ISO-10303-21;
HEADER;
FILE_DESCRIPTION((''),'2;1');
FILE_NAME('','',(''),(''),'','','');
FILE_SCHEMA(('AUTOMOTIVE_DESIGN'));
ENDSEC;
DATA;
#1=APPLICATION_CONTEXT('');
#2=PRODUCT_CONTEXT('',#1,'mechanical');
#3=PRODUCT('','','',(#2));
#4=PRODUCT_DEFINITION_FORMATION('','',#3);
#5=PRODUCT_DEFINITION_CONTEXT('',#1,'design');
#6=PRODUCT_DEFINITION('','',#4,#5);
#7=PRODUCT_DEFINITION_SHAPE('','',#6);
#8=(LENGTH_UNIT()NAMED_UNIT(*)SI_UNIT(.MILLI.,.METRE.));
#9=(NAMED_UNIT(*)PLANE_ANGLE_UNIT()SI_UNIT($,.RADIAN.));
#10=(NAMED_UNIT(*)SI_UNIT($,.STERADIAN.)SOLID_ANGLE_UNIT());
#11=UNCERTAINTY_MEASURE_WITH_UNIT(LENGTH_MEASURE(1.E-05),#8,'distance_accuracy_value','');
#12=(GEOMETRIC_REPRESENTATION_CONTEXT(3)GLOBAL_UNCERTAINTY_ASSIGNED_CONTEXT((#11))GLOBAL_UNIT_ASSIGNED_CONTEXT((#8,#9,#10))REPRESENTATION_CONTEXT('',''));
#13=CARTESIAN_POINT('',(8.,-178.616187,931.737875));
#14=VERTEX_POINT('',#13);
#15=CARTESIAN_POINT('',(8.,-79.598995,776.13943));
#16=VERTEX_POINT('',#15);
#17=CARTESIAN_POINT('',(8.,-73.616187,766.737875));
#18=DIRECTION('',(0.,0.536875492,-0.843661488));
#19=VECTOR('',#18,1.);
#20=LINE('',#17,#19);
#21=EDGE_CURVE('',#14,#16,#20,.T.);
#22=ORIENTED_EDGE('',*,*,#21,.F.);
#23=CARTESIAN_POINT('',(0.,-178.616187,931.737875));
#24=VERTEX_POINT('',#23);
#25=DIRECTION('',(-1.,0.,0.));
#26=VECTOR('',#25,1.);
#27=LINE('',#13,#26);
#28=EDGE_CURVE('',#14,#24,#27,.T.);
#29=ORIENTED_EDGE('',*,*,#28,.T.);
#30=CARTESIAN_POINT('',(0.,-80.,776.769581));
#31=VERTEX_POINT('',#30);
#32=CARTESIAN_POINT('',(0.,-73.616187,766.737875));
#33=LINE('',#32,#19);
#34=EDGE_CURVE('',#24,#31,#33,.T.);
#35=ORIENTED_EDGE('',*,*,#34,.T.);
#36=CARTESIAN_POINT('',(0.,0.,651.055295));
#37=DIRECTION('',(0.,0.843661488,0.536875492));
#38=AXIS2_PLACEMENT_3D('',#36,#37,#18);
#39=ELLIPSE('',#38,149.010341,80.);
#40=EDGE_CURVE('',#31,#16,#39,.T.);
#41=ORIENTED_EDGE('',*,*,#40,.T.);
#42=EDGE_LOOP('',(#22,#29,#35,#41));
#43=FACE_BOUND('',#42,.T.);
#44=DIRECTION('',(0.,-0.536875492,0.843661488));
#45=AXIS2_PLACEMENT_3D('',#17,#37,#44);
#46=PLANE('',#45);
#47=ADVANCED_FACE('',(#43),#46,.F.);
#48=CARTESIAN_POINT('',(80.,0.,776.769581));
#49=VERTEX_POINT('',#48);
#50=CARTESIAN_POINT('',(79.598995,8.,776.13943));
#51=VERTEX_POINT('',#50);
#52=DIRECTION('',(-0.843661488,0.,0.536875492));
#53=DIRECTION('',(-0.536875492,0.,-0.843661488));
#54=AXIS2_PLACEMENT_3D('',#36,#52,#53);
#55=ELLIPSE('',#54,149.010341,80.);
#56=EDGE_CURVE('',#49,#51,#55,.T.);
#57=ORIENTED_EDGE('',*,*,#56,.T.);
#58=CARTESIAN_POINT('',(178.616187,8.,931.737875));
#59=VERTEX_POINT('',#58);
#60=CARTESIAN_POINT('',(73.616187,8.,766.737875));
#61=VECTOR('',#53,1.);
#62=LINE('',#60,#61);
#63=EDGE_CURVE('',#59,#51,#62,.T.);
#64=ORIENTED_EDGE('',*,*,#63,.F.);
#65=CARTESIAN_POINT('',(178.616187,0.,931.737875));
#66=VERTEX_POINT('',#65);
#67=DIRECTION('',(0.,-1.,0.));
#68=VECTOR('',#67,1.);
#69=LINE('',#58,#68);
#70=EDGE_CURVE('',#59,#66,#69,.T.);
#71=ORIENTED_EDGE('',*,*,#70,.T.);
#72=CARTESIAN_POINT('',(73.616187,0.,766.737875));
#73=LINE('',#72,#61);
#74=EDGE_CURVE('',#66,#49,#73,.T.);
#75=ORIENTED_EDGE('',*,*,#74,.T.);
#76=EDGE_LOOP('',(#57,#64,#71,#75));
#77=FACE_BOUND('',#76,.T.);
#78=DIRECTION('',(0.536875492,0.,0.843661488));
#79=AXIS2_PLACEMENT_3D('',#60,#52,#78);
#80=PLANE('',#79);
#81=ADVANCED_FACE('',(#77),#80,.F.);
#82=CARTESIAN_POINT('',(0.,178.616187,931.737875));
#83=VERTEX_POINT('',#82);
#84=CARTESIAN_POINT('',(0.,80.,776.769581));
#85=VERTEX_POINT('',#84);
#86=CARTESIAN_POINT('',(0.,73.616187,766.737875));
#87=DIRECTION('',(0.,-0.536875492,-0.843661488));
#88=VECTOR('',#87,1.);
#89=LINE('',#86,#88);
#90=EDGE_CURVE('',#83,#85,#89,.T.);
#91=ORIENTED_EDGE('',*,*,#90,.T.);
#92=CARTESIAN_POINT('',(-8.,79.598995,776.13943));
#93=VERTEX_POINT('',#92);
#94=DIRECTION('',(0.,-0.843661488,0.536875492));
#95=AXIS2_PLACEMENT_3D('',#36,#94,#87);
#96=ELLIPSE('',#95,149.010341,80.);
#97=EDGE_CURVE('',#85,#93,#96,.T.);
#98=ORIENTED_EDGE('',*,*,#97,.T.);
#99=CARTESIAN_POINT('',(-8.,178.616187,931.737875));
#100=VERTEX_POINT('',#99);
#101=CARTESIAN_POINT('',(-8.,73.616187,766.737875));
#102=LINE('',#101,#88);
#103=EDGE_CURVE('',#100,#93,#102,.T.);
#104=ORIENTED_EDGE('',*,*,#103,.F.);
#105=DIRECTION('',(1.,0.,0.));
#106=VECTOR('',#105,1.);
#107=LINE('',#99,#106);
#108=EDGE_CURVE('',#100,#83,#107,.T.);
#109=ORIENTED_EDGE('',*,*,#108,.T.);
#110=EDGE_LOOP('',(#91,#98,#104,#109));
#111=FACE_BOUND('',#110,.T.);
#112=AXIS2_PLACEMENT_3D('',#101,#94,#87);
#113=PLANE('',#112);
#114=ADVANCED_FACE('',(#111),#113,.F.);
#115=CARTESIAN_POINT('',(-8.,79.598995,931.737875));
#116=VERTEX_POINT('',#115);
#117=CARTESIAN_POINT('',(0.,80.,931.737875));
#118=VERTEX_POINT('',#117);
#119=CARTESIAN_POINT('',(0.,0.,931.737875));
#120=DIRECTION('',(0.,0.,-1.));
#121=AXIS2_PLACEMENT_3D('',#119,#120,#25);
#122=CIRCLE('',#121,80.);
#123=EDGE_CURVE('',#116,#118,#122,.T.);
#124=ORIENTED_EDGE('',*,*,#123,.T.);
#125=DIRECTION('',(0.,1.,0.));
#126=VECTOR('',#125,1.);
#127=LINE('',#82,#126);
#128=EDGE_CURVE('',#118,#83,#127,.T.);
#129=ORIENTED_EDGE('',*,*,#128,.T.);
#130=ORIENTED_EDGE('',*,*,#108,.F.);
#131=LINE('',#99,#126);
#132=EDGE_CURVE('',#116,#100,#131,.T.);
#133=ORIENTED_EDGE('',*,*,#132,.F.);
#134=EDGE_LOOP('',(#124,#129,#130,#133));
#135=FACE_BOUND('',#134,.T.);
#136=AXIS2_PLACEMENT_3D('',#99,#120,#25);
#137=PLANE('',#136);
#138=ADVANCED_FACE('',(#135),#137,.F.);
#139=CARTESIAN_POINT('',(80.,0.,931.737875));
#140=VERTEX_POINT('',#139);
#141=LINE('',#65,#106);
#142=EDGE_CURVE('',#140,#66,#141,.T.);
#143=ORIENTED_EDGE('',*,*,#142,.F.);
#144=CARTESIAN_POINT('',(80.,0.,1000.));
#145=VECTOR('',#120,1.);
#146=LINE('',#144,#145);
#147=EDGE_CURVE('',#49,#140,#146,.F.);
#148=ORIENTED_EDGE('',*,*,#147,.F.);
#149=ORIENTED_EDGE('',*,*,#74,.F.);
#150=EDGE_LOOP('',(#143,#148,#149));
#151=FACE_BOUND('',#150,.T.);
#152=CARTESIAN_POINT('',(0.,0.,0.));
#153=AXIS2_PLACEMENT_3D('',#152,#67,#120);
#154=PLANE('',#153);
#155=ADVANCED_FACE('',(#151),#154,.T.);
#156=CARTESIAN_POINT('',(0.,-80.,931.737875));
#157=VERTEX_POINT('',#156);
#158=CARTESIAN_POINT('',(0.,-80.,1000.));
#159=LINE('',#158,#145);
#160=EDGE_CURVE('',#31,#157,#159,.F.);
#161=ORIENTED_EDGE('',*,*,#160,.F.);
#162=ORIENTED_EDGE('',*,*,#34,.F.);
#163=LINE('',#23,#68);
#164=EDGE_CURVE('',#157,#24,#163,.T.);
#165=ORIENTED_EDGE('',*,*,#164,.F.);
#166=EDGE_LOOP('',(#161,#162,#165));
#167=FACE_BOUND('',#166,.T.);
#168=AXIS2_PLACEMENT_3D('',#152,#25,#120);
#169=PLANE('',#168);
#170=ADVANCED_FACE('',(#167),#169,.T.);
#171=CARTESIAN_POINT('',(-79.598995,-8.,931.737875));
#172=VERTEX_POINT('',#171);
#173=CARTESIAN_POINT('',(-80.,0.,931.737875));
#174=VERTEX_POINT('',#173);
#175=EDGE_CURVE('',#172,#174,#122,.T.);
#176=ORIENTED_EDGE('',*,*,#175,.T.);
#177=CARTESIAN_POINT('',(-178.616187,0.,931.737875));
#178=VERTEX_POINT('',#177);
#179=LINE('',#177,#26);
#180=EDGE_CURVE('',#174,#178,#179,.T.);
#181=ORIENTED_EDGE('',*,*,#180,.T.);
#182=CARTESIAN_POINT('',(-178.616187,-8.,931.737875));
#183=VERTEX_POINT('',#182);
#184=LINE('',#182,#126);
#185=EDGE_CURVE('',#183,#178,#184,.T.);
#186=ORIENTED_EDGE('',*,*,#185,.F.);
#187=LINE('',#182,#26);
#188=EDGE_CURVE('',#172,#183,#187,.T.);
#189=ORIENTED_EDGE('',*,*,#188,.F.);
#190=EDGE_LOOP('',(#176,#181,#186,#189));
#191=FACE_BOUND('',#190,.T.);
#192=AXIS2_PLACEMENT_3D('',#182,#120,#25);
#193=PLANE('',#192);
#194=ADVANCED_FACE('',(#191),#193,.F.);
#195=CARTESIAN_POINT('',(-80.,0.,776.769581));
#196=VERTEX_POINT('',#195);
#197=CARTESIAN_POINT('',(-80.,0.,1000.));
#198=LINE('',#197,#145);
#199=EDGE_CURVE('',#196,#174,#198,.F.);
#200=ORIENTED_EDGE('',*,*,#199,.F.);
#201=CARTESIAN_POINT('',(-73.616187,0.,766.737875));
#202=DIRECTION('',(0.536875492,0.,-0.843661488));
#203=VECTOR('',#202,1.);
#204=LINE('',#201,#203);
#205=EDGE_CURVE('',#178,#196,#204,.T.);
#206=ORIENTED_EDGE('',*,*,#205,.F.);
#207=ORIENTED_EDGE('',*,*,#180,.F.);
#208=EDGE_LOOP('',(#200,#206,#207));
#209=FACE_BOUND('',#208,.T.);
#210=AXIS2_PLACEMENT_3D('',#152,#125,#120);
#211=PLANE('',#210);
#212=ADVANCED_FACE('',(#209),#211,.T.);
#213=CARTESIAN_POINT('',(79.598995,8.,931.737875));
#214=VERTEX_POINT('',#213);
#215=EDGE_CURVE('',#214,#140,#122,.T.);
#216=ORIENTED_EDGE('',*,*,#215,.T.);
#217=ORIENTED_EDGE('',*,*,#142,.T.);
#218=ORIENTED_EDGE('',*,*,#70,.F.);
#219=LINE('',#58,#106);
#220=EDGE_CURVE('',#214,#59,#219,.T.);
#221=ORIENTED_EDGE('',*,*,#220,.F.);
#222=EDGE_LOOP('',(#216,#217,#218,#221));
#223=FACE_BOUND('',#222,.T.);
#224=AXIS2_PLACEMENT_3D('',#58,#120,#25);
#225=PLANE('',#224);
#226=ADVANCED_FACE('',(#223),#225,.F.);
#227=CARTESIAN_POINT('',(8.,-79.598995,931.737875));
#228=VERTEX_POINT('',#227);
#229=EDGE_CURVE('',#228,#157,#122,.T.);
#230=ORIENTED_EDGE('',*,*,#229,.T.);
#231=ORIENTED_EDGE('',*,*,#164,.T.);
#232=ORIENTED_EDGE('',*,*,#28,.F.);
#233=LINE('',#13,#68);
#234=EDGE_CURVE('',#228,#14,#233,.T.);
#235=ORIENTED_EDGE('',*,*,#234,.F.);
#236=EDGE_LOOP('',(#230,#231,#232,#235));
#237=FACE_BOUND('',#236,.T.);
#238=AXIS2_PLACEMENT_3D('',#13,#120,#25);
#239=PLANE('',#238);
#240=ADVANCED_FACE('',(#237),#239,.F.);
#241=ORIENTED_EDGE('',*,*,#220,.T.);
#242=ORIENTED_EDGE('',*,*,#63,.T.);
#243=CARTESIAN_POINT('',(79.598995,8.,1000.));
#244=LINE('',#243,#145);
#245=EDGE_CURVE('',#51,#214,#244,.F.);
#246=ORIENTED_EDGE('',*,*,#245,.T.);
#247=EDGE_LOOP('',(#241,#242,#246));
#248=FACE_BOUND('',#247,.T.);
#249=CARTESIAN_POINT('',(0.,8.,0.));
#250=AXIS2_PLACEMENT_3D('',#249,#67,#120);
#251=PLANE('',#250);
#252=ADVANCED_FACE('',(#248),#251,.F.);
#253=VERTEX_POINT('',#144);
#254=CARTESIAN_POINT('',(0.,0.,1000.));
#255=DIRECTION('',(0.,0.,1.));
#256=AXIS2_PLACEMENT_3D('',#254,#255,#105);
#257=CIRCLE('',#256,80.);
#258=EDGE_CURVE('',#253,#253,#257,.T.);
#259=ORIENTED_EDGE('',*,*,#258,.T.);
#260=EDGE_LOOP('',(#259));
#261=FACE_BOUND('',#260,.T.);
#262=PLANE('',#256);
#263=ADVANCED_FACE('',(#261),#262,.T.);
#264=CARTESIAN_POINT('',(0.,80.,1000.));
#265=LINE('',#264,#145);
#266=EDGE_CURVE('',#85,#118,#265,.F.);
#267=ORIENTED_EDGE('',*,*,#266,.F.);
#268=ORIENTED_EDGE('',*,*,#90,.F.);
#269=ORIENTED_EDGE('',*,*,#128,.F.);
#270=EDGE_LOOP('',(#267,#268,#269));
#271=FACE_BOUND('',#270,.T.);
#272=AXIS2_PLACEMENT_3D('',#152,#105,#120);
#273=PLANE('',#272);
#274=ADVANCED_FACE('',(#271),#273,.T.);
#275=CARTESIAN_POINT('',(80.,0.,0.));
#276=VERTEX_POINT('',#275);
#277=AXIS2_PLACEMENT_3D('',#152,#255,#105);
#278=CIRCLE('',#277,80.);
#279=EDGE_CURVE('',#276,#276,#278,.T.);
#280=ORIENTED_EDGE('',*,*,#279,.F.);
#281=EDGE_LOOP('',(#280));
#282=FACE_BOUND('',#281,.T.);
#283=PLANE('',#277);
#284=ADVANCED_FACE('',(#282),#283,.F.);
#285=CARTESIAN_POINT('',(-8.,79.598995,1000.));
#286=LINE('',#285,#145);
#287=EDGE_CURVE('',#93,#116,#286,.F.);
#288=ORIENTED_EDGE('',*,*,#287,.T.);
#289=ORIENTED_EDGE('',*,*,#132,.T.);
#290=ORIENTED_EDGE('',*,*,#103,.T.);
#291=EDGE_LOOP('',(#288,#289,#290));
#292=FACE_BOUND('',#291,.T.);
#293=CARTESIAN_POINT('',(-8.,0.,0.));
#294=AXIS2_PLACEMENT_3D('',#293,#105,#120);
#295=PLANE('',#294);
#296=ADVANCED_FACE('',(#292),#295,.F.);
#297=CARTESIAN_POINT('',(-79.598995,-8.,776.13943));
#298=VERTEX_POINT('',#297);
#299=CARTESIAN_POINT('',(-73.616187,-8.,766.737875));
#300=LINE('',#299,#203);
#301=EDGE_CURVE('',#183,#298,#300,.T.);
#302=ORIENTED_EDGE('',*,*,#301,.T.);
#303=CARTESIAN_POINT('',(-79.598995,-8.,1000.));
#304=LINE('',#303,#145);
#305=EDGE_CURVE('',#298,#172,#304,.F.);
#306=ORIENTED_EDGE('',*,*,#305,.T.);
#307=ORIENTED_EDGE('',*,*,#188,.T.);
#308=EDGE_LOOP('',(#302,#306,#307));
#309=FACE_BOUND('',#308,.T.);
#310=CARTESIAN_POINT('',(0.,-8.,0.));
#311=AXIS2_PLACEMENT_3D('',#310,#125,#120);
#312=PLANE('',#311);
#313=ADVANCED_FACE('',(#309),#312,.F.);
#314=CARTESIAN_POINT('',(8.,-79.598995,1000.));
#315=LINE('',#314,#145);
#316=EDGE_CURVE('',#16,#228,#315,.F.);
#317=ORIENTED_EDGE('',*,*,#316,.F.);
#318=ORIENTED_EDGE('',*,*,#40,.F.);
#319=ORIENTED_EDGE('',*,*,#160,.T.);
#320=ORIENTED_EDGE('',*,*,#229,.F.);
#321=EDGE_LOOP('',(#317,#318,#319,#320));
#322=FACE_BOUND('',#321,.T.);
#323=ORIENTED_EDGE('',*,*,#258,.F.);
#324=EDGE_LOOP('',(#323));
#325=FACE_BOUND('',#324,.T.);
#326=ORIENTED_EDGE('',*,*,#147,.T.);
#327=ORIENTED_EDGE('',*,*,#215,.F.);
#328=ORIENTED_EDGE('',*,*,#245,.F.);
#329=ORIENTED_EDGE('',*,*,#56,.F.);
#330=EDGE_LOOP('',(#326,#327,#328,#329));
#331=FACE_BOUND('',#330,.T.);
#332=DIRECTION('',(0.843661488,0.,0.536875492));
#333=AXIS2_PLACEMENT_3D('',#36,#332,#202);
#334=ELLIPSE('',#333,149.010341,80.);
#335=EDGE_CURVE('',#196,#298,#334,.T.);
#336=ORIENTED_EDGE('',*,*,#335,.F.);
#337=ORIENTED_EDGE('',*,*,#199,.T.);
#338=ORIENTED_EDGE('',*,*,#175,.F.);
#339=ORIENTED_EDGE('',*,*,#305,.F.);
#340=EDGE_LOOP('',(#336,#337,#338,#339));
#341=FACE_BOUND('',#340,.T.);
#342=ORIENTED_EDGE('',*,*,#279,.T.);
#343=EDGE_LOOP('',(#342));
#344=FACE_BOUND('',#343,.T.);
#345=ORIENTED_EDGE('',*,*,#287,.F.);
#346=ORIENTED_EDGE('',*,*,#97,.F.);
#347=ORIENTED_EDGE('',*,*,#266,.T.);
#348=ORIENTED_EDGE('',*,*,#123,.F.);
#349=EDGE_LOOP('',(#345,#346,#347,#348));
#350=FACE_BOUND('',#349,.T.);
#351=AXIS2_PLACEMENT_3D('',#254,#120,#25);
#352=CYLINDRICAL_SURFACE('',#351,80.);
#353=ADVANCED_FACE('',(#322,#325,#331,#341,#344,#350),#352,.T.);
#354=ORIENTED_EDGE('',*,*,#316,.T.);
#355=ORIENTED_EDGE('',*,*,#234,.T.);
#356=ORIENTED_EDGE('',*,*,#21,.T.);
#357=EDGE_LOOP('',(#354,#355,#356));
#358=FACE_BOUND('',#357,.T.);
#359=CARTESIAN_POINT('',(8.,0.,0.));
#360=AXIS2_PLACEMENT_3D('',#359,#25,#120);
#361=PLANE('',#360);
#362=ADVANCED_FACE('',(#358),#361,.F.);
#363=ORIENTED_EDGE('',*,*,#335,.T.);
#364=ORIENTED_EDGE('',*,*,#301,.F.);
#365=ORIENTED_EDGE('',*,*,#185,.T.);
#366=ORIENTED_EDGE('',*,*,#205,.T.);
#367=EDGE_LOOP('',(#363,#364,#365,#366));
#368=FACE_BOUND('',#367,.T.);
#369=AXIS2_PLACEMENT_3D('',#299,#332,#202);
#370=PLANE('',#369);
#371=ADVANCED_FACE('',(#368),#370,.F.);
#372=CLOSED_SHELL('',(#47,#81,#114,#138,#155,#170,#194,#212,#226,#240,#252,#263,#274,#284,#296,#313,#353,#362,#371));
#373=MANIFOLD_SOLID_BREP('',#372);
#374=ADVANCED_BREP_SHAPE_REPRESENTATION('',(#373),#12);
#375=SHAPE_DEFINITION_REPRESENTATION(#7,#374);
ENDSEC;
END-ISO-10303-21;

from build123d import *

# Parameters (mm, degrees)
SZKIC1_R                    = 80
DODANIE_WYCI_GNI_CIE1_DEPTH = 1000
DODANIE_WYCI_GNI_CIE2_DEPTH = 8
SZYK_KO_OWY1_COUNT          = 4


with BuildPart() as part:
    # Szkic1 → Dodanie-wyciągnięcie1 (new body)
    with BuildSketch(Plane.XY):
        Circle(SZKIC1_R)
    extrude(amount=DODANIE_WYCI_GNI_CIE1_DEPTH)

    # Szkic5 → Dodanie-wyciągnięcie2 (add)
    with BuildSketch(Plane(origin=(0, 0, 0), x_dir=(1, 0, 0), z_dir=(0, 1, 0))):
        Polygon((73.616187197, -766.737875277), (178.616187197, -931.737875277), (73.616187197, -931.737875277), align=None)
    dodanie_wyci_gni_cie2 = extrude(amount=DODANIE_WYCI_GNI_CIE2_DEPTH)

    # Szyk kołowy1: Dodanie-wyciągnięcie2 ×4 about axis
    szyk_ko_owy1_axis = Axis((0, 0, 0), (0, 0, 1))
    for i in range(1, SZYK_KO_OWY1_COUNT):
        add(dodanie_wyci_gni_cie2.rotate(szyk_ko_owy1_axis, i * 360 / SZYK_KO_OWY1_COUNT))


solid = part.part
